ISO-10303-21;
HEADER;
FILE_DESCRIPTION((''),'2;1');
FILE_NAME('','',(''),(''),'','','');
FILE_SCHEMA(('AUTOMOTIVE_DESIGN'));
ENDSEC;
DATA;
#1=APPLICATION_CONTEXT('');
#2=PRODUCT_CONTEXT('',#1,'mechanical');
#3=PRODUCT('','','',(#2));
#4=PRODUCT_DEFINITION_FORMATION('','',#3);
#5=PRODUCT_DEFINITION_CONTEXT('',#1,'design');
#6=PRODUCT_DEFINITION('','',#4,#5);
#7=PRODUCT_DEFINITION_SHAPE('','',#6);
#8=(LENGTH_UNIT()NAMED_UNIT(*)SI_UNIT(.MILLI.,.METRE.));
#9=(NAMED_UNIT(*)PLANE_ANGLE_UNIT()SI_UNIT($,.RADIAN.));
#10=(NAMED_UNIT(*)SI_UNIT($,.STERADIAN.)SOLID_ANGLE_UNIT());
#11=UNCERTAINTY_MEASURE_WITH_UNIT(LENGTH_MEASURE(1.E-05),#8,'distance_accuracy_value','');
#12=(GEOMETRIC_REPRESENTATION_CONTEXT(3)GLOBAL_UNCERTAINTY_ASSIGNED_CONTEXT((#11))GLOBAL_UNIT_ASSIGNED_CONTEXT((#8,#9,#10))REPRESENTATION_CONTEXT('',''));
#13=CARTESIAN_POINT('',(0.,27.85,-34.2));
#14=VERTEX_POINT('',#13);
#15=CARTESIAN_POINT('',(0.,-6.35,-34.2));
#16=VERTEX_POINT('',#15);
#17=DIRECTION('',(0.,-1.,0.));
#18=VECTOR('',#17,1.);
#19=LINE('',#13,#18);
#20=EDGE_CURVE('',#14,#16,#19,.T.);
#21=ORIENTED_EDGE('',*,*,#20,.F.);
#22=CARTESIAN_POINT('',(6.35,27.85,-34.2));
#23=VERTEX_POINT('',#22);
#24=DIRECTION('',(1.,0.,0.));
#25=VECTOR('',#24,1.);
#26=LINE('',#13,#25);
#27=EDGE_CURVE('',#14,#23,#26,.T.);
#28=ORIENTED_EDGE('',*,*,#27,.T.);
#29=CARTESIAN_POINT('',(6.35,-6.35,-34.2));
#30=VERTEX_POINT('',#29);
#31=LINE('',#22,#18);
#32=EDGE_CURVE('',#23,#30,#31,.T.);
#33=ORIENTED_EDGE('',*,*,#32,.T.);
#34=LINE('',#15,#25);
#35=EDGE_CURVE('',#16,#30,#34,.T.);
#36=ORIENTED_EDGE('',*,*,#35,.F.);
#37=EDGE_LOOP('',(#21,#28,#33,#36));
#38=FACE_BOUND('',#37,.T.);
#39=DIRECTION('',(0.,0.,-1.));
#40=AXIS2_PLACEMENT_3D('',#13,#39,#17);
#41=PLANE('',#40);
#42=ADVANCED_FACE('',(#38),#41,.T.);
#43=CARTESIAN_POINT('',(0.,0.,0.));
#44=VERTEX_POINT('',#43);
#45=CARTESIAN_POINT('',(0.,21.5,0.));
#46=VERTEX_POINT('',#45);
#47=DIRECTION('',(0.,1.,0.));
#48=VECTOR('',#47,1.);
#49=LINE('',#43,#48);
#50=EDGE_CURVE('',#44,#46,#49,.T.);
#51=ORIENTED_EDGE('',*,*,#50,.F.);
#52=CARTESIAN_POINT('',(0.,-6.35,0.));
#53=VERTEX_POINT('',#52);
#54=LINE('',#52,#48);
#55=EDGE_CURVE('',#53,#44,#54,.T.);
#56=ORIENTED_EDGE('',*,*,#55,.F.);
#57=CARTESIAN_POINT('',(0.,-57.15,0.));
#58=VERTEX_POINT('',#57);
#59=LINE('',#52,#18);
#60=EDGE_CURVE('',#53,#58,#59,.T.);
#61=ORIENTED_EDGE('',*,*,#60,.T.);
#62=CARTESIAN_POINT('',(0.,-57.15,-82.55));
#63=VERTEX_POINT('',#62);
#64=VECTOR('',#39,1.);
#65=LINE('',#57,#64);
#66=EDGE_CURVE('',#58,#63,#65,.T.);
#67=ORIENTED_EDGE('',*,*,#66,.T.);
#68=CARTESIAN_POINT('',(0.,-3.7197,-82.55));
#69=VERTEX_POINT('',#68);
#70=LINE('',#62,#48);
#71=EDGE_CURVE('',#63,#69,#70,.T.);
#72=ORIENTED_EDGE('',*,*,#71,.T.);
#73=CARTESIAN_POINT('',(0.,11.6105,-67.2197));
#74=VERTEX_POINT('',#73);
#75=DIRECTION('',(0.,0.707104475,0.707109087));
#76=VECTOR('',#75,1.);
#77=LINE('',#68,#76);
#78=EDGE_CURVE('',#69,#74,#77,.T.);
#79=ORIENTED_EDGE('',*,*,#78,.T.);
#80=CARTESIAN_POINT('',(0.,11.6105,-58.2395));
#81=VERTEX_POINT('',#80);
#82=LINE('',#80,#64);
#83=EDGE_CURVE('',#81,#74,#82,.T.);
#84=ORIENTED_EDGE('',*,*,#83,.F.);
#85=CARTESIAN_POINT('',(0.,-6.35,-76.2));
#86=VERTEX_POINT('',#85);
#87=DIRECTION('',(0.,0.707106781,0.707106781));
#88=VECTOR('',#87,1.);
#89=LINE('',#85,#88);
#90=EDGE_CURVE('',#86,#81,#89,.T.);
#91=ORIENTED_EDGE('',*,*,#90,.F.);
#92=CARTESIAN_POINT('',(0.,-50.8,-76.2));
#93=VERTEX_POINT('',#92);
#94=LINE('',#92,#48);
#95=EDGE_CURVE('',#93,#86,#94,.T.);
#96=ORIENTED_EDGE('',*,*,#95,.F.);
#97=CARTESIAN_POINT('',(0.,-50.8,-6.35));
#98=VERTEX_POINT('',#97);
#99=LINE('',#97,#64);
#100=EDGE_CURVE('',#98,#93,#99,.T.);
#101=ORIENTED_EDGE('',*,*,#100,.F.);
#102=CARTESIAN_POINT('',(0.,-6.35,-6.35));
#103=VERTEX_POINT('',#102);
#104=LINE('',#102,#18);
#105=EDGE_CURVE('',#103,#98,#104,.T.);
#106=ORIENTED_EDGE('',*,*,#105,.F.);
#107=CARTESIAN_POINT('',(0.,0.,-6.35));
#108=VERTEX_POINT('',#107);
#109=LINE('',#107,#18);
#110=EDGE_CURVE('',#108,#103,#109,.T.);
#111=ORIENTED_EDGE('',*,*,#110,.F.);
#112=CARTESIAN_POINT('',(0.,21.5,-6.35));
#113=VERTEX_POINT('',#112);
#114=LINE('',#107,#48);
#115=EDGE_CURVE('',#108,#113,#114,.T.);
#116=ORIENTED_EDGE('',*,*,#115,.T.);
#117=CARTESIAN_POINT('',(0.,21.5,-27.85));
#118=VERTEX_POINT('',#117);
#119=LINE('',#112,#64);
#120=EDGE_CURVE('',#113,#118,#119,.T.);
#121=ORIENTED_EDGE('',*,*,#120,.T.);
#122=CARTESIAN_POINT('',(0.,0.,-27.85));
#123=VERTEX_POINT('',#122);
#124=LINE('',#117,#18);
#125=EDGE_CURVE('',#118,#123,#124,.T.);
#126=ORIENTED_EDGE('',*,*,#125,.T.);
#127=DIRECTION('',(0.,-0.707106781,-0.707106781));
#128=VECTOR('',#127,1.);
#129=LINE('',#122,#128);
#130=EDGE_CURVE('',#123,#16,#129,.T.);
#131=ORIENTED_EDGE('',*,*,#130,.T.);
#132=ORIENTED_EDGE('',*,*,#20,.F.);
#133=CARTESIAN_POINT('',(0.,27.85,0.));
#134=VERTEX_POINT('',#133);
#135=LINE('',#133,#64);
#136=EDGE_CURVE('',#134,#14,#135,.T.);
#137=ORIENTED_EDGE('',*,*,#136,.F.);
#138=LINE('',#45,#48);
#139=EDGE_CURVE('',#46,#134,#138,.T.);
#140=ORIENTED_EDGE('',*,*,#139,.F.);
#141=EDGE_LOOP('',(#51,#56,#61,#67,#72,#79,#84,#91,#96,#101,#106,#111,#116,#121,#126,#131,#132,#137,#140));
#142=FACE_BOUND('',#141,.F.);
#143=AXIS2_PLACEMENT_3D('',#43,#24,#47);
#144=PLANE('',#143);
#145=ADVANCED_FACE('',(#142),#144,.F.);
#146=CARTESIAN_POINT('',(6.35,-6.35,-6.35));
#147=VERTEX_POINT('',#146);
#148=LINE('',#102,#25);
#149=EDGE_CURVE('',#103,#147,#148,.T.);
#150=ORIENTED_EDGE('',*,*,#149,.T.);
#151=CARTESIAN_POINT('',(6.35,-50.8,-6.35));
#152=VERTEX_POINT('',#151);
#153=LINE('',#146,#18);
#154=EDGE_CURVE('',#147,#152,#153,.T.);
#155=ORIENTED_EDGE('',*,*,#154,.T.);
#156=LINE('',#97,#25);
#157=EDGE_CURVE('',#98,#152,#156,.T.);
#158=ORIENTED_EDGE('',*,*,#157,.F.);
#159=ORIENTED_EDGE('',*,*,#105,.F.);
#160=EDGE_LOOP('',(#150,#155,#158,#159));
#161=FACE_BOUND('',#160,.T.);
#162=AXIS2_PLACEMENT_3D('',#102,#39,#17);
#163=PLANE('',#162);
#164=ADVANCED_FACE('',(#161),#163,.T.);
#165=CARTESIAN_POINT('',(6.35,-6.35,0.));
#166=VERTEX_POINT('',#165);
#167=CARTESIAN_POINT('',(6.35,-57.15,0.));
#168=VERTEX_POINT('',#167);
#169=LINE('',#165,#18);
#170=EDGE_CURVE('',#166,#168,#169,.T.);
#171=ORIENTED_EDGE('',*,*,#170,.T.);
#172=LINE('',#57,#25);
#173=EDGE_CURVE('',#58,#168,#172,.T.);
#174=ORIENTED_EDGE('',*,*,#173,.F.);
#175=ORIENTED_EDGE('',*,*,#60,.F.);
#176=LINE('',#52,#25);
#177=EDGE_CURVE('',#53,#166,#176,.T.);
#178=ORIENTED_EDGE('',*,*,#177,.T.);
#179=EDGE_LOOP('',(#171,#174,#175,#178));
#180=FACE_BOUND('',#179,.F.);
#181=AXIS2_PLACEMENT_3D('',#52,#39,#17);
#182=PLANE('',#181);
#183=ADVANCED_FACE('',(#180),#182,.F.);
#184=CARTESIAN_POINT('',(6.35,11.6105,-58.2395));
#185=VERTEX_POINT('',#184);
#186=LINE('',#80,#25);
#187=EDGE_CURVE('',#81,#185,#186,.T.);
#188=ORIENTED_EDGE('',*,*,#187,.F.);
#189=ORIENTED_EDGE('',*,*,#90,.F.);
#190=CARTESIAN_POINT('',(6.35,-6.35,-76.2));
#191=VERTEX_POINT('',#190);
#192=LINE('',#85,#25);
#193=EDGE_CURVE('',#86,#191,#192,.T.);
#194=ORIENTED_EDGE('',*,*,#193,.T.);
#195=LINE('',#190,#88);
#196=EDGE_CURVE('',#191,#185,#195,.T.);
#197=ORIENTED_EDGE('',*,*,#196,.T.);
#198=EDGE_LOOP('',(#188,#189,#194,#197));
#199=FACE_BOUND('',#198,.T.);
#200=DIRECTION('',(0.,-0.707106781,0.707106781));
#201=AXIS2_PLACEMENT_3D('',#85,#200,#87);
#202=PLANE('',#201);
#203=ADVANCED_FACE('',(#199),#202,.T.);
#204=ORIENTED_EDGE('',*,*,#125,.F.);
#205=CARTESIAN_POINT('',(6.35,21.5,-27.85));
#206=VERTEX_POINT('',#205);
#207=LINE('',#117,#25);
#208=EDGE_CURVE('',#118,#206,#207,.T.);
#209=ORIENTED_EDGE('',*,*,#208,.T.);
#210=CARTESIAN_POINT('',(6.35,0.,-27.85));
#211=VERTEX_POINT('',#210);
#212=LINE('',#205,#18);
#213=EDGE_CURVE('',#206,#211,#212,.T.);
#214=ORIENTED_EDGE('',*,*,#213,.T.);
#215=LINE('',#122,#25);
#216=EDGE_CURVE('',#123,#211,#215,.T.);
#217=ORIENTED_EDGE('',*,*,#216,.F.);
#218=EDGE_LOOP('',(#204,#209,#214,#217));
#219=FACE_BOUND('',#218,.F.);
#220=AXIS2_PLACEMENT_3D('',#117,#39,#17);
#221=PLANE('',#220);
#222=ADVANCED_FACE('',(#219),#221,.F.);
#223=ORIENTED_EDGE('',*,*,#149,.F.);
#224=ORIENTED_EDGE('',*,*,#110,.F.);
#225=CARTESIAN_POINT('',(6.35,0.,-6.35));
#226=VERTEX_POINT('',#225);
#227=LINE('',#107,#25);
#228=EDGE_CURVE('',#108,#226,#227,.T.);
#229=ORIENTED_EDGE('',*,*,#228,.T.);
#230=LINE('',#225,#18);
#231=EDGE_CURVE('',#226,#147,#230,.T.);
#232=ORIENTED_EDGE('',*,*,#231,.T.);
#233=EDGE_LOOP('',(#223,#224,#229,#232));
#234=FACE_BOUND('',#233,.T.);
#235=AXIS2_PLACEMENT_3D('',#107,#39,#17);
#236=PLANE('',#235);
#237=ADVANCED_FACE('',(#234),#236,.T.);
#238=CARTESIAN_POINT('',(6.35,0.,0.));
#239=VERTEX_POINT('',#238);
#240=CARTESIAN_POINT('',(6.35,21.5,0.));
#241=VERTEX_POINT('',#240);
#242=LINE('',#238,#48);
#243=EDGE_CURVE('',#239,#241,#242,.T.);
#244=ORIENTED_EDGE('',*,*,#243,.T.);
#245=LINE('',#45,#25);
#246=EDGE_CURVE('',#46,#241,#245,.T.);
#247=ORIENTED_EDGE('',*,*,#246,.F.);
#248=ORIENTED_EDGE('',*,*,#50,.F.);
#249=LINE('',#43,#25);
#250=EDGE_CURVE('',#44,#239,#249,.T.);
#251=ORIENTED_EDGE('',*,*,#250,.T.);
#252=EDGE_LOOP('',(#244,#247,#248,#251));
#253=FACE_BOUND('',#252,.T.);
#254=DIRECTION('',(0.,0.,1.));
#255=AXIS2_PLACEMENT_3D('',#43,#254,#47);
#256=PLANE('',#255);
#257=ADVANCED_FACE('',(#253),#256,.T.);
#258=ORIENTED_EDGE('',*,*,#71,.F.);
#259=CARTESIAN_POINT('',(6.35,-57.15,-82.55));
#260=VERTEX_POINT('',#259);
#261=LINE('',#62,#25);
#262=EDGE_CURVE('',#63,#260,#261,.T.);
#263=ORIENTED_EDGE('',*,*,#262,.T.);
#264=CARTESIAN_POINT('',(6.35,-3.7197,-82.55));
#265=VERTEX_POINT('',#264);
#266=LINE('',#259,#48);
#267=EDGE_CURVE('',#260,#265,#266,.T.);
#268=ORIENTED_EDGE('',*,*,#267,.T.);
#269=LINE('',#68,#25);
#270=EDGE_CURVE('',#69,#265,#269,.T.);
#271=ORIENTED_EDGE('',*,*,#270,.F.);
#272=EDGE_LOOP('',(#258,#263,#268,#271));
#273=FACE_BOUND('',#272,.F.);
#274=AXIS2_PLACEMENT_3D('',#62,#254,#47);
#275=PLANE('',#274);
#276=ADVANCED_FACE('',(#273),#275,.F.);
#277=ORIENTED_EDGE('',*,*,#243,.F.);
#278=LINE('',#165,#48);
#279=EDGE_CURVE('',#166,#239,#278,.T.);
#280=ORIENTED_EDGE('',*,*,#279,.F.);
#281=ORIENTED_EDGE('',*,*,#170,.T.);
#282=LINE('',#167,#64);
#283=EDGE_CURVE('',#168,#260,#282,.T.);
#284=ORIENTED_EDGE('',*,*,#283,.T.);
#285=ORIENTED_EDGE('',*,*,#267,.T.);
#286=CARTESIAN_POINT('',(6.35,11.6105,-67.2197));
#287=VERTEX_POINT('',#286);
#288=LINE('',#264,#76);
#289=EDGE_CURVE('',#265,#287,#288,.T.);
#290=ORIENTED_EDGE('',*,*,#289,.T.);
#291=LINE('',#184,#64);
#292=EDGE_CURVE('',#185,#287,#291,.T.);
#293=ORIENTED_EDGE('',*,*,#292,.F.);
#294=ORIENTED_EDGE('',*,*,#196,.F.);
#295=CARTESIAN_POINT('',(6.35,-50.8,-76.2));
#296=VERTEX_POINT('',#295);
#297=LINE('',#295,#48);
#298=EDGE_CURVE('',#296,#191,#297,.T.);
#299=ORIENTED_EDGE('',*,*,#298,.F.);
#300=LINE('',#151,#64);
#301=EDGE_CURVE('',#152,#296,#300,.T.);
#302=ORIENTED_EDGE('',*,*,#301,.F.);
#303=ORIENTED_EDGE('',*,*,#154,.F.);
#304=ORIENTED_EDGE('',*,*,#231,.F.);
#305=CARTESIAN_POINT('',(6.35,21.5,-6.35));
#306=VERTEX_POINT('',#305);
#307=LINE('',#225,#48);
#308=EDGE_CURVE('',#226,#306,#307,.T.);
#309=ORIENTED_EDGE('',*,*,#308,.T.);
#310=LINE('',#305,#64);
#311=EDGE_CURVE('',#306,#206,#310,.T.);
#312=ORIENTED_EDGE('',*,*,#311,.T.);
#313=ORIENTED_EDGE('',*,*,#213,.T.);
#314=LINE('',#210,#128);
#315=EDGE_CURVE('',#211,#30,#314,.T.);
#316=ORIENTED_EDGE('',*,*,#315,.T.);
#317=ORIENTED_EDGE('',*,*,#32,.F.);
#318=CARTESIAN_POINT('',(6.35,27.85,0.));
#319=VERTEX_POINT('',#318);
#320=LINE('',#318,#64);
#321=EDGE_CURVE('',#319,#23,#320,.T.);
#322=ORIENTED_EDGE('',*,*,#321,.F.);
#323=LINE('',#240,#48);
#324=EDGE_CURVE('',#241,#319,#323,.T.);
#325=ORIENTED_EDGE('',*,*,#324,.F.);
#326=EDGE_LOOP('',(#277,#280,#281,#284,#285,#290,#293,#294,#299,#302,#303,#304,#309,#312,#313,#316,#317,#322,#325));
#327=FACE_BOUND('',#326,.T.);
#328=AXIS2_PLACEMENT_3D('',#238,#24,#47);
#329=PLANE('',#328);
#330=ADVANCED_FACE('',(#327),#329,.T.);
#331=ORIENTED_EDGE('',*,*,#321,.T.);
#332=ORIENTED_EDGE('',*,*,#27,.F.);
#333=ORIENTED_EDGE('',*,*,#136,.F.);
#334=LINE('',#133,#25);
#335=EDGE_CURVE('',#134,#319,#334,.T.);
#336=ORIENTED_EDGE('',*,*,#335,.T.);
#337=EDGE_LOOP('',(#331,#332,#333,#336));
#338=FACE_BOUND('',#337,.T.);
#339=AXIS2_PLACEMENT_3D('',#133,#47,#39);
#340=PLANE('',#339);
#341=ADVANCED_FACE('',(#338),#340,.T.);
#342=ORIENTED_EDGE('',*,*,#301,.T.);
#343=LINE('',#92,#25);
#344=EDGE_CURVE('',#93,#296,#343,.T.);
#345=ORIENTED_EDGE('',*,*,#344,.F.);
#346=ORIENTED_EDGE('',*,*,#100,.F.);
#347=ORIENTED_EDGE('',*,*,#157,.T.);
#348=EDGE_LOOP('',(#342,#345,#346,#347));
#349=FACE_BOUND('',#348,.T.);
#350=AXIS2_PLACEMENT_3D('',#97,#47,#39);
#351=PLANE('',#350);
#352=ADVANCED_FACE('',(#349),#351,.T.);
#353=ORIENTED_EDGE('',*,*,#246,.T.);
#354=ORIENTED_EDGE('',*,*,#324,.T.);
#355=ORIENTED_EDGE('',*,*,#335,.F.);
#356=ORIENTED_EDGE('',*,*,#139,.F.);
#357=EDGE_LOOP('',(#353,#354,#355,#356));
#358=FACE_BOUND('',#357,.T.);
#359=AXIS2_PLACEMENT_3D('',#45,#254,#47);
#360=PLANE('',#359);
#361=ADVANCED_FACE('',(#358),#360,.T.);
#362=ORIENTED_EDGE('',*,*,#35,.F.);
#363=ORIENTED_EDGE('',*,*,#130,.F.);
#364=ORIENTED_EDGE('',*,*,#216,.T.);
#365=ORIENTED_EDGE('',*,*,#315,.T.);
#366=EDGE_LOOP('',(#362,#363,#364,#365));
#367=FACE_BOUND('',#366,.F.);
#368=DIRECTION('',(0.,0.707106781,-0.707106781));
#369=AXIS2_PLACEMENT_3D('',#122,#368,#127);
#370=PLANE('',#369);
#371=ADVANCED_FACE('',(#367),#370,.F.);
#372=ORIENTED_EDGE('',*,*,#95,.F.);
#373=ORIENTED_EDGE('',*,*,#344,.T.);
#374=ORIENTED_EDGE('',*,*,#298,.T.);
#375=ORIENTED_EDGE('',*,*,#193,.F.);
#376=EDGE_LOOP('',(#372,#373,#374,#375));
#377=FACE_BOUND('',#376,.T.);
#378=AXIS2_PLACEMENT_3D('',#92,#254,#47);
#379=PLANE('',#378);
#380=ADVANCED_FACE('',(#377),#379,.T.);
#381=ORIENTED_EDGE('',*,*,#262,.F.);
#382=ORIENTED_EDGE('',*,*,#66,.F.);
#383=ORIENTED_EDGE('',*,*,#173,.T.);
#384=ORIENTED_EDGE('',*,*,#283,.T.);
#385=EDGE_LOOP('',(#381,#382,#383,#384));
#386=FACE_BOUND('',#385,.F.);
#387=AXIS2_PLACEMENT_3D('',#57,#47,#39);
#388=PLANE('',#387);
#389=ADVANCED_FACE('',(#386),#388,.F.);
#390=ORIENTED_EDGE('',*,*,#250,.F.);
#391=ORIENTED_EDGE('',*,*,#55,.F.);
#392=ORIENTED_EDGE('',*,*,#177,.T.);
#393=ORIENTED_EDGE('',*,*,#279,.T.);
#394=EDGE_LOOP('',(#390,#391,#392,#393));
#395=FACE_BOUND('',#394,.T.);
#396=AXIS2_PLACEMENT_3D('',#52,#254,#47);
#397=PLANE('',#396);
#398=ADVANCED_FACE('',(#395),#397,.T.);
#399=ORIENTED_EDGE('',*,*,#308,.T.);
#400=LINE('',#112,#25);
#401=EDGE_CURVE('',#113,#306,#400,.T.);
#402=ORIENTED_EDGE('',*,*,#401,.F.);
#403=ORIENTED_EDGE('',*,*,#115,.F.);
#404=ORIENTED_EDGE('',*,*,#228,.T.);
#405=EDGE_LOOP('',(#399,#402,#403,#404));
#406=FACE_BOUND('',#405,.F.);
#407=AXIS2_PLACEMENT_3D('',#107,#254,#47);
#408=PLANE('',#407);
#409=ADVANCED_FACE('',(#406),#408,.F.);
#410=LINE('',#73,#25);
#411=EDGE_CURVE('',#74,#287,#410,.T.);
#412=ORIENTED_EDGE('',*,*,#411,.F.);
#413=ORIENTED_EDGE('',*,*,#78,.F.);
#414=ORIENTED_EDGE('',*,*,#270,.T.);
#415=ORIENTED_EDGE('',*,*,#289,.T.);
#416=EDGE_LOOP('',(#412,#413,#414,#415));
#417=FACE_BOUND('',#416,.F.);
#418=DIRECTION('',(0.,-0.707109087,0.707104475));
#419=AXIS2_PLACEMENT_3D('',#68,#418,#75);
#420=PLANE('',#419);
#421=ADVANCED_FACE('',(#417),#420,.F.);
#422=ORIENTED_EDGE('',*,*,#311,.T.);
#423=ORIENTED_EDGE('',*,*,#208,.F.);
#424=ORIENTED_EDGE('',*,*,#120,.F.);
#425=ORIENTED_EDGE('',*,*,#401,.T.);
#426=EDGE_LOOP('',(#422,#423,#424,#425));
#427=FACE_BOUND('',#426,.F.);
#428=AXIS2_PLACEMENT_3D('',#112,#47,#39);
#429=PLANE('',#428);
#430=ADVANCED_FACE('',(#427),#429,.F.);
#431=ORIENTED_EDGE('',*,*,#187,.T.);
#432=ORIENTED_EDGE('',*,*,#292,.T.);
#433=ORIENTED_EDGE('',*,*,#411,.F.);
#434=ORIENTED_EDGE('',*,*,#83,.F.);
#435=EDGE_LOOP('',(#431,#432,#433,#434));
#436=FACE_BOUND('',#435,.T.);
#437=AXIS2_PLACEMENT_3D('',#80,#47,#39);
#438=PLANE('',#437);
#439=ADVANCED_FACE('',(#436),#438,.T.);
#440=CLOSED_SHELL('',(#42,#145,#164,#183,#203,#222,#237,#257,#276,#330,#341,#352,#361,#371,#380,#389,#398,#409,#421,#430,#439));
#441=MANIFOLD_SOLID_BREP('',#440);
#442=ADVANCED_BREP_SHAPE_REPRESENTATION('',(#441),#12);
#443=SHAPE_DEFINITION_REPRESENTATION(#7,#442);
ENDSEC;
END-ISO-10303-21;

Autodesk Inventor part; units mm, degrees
ref_plane "YZ Plane" through (0, 0, 0) normal (1, 0, 0) x (0, 1, 0)
ref_plane "XZ Plane" through (0, 0, 0) normal (0, 1, 0) x (-1, 0, 0)
ref_plane "XY Plane" through (0, 0, 0) normal (0, 0, 1) x (1, 0, 0)
sketch "Sketch1" plane through (0, 0, 0) normal (1, 0, 0) x (0, 1, 0)
  line L0 (0, 0) -> (21.5, 0)
  line L1 (21.5, 0) -> (21.5, -6.35) construction
  line L2 (21.5, -27.85) -> (0, -27.85)
  line L3 (0, -27.85) -> (0, -6.35) construction
  line L4 (21.5, 0) -> (27.85, 0)
  line L5 (27.85, 0) -> (27.85, -34.2)
  line L6 (-6.35, -34.2) -> (-6.35, -6.35) construction
  line L7 (-6.35, 0) -> (0, 0)
  line L8 (27.85, -34.2) -> (-6.35, -34.2)
  line L9 (-6.35, 0) -> (-57.15, 0)
  line L10 (-57.15, 0) -> (-57.15, -82.55)
  line L11 (-6.35, -6.35) -> (-50.8, -6.35)
  line L12 (-50.8, -6.35) -> (-50.8, -76.2)
  line L13 (-6.35, -6.35) -> (-6.35, 0) construction
  line L14 (-57.15, -82.55) -> (-3.7197, -82.55)
  line L15 (-50.8, -76.2) -> (-6.35, -76.2)
  line L16 (-6.35, -76.2) -> (11.6105, -58.2395)
  line L17 (-3.7197, -82.55) -> (11.6105, -67.2197)
  line L18 (11.6105, -58.2395) -> (11.6105, -67.2197)
  line L19 (-6.35, -34.2) -> (-6.35, -76.2) construction
  line L20 (0, -6.35) -> (21.5, -6.35)
  line L21 (0, -6.35) -> (-6.35, -6.35)
  line L22 (0, -6.35) -> (0, 0) construction
  line L23 (21.5, -6.35) -> (21.5, -27.85)
  line L24 (0, -27.85) -> (-6.35, -34.2)
  dimension "d2" = 6.35
  dimension "d4" = 6.35
  dimension "d23" = 6.35
  dimension "d24" = 50.8
  dimension "d25" = 82.55
  dimension "d26" = 6.35
  dimension "d27" = 6.35
  dimension "d28" = 6.35
  dimension "d30" = 6.35
  dimension "d31" = 25.4
  dimension "d32" = 135
  dimension "d33" = 21.5
  dimension "d34" = 6.35
  dimension "d35" = 21.5
  dimension "d36" = 24.0395
extrude "Extrusion1" add sketch "Sketch1" along normal blind 6.35
equation "\"d35\" = d33"
properties part number "Main"
